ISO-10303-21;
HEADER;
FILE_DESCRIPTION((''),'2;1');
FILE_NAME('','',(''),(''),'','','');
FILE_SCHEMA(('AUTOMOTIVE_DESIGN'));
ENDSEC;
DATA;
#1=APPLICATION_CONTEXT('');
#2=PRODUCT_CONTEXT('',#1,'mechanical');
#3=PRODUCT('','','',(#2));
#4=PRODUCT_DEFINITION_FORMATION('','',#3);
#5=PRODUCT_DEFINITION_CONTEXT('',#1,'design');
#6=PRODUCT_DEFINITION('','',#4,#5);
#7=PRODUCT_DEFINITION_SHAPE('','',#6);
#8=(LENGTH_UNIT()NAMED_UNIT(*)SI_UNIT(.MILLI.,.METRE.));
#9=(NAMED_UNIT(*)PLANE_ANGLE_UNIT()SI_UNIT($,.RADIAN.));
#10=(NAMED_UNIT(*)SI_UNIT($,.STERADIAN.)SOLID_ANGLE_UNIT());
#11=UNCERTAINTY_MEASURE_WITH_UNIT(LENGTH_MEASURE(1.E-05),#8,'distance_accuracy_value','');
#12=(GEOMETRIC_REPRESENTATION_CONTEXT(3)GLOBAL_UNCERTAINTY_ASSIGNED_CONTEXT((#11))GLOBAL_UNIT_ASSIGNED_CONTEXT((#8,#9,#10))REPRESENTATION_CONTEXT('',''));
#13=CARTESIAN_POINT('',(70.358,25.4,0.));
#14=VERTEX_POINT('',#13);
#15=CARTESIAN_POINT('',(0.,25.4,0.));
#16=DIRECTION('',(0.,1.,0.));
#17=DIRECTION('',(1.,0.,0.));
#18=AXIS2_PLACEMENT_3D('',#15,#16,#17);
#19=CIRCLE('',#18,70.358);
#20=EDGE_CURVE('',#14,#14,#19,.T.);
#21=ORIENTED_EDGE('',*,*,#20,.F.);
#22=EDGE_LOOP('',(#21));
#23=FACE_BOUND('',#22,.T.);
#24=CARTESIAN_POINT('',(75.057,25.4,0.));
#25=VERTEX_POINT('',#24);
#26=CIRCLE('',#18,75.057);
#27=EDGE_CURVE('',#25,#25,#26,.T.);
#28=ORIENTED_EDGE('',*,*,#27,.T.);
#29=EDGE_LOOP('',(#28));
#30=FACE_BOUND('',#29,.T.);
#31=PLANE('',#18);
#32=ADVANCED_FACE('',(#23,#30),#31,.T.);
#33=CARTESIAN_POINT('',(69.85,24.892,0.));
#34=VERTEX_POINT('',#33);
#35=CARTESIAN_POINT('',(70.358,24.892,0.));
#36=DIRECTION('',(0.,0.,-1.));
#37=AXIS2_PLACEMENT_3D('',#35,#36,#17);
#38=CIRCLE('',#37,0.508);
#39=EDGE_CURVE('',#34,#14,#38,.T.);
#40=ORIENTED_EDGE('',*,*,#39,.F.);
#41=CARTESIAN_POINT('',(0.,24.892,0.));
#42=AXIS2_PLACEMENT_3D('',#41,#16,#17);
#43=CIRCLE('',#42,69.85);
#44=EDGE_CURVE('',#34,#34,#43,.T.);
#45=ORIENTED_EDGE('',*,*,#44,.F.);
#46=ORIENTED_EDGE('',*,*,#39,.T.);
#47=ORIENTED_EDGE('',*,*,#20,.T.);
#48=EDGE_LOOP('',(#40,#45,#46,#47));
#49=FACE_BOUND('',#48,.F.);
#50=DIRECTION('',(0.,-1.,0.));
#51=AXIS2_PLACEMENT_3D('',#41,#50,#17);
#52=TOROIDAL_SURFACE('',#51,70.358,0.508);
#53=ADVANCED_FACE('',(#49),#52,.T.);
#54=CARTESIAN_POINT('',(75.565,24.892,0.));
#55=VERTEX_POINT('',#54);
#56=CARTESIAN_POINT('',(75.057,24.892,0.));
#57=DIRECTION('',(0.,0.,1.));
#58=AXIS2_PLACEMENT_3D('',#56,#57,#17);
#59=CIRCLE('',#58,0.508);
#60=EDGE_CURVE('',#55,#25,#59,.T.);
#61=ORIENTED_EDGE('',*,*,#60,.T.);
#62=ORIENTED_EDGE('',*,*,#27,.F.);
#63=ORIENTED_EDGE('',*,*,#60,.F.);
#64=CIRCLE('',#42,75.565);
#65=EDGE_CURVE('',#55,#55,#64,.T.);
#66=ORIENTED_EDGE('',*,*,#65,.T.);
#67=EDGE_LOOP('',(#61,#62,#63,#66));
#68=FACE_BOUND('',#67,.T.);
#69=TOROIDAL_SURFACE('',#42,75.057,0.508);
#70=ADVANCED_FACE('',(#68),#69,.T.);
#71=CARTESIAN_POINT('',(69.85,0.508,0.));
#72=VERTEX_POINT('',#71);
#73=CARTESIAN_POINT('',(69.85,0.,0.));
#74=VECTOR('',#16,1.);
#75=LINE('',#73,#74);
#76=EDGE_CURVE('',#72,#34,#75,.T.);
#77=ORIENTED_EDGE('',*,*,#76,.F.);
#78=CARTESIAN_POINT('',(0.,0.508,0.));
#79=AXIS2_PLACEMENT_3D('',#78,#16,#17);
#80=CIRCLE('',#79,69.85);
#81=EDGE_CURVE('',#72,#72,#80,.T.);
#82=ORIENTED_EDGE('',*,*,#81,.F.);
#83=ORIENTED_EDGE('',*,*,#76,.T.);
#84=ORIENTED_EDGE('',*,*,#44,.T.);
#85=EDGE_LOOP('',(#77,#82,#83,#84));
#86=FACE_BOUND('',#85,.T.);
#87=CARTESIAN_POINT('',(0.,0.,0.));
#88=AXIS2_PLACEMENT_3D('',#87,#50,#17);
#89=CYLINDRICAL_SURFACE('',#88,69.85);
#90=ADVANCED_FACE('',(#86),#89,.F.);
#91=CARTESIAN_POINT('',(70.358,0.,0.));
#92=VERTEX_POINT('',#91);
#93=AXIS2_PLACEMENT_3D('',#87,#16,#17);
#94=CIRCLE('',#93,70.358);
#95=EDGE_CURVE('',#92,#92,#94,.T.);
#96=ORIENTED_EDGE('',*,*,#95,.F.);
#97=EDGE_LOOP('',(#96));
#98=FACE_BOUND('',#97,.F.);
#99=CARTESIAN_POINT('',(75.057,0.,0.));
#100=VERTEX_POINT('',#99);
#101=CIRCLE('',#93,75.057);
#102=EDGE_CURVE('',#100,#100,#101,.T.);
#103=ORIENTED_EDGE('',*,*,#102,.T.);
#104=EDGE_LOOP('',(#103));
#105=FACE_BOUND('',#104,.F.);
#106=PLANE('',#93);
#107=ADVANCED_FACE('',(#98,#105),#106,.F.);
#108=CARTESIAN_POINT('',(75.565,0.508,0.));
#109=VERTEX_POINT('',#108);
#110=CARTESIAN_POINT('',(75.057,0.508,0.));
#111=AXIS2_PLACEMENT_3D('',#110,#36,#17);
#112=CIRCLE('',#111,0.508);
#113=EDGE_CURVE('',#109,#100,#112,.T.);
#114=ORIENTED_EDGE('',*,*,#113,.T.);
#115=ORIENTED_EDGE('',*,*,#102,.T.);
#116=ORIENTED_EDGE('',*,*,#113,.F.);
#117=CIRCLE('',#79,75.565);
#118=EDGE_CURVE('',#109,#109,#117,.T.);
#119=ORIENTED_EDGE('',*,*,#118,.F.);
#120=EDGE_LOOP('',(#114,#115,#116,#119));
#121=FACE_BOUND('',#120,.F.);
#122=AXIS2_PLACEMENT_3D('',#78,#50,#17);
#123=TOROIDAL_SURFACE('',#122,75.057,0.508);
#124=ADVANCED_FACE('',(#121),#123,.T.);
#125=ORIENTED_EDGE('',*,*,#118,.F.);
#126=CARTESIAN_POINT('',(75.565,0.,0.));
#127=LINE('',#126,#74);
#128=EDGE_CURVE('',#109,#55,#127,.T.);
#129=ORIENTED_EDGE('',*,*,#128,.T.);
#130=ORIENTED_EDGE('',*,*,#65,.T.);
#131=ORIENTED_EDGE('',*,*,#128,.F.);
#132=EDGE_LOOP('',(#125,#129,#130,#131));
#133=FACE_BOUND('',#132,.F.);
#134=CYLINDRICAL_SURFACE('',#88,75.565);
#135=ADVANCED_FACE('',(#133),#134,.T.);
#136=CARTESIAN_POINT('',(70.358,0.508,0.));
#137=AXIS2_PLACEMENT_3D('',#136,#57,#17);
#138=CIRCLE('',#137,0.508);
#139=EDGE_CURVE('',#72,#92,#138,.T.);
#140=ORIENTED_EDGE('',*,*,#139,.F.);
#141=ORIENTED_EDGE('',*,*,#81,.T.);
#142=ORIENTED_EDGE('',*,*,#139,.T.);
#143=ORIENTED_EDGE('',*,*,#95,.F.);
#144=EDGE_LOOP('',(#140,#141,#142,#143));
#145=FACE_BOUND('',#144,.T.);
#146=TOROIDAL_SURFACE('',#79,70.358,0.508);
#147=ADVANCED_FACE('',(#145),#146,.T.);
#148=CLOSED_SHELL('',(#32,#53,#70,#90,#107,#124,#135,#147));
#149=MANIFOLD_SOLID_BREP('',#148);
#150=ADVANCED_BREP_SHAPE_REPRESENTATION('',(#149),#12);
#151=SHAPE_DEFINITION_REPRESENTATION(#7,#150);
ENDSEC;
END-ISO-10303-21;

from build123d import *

# Parameters (mm, degrees)
SKETCH1_R           = 75.565
SKETCH1_R_2         = 69.85
BOSS_EXTRUDE1_DEPTH = 25.4
FILLET1_R           = 0.508


with BuildPart() as part:
    # Sketch1 → Boss-Extrude1 (new body)
    with BuildSketch(Plane(origin=(0, 0, 0), x_dir=(1, 0, 0), z_dir=(0, 1, 0))):
        Circle(SKETCH1_R)
        Circle(SKETCH1_R_2, mode=Mode.SUBTRACT)
    extrude(amount=BOSS_EXTRUDE1_DEPTH)

    # Fillet1
    fillet1_edges = [part.edges().sort_by_distance(p)[0] for p in [
        (-75.565, 0, 0),
        (-75.565, 25.4, 0),
        (-69.85, 0, 0),
        (-69.85, 25.4, 0),
    ]]
    fillet(fillet1_edges, radius=FILLET1_R)


solid = part.part
